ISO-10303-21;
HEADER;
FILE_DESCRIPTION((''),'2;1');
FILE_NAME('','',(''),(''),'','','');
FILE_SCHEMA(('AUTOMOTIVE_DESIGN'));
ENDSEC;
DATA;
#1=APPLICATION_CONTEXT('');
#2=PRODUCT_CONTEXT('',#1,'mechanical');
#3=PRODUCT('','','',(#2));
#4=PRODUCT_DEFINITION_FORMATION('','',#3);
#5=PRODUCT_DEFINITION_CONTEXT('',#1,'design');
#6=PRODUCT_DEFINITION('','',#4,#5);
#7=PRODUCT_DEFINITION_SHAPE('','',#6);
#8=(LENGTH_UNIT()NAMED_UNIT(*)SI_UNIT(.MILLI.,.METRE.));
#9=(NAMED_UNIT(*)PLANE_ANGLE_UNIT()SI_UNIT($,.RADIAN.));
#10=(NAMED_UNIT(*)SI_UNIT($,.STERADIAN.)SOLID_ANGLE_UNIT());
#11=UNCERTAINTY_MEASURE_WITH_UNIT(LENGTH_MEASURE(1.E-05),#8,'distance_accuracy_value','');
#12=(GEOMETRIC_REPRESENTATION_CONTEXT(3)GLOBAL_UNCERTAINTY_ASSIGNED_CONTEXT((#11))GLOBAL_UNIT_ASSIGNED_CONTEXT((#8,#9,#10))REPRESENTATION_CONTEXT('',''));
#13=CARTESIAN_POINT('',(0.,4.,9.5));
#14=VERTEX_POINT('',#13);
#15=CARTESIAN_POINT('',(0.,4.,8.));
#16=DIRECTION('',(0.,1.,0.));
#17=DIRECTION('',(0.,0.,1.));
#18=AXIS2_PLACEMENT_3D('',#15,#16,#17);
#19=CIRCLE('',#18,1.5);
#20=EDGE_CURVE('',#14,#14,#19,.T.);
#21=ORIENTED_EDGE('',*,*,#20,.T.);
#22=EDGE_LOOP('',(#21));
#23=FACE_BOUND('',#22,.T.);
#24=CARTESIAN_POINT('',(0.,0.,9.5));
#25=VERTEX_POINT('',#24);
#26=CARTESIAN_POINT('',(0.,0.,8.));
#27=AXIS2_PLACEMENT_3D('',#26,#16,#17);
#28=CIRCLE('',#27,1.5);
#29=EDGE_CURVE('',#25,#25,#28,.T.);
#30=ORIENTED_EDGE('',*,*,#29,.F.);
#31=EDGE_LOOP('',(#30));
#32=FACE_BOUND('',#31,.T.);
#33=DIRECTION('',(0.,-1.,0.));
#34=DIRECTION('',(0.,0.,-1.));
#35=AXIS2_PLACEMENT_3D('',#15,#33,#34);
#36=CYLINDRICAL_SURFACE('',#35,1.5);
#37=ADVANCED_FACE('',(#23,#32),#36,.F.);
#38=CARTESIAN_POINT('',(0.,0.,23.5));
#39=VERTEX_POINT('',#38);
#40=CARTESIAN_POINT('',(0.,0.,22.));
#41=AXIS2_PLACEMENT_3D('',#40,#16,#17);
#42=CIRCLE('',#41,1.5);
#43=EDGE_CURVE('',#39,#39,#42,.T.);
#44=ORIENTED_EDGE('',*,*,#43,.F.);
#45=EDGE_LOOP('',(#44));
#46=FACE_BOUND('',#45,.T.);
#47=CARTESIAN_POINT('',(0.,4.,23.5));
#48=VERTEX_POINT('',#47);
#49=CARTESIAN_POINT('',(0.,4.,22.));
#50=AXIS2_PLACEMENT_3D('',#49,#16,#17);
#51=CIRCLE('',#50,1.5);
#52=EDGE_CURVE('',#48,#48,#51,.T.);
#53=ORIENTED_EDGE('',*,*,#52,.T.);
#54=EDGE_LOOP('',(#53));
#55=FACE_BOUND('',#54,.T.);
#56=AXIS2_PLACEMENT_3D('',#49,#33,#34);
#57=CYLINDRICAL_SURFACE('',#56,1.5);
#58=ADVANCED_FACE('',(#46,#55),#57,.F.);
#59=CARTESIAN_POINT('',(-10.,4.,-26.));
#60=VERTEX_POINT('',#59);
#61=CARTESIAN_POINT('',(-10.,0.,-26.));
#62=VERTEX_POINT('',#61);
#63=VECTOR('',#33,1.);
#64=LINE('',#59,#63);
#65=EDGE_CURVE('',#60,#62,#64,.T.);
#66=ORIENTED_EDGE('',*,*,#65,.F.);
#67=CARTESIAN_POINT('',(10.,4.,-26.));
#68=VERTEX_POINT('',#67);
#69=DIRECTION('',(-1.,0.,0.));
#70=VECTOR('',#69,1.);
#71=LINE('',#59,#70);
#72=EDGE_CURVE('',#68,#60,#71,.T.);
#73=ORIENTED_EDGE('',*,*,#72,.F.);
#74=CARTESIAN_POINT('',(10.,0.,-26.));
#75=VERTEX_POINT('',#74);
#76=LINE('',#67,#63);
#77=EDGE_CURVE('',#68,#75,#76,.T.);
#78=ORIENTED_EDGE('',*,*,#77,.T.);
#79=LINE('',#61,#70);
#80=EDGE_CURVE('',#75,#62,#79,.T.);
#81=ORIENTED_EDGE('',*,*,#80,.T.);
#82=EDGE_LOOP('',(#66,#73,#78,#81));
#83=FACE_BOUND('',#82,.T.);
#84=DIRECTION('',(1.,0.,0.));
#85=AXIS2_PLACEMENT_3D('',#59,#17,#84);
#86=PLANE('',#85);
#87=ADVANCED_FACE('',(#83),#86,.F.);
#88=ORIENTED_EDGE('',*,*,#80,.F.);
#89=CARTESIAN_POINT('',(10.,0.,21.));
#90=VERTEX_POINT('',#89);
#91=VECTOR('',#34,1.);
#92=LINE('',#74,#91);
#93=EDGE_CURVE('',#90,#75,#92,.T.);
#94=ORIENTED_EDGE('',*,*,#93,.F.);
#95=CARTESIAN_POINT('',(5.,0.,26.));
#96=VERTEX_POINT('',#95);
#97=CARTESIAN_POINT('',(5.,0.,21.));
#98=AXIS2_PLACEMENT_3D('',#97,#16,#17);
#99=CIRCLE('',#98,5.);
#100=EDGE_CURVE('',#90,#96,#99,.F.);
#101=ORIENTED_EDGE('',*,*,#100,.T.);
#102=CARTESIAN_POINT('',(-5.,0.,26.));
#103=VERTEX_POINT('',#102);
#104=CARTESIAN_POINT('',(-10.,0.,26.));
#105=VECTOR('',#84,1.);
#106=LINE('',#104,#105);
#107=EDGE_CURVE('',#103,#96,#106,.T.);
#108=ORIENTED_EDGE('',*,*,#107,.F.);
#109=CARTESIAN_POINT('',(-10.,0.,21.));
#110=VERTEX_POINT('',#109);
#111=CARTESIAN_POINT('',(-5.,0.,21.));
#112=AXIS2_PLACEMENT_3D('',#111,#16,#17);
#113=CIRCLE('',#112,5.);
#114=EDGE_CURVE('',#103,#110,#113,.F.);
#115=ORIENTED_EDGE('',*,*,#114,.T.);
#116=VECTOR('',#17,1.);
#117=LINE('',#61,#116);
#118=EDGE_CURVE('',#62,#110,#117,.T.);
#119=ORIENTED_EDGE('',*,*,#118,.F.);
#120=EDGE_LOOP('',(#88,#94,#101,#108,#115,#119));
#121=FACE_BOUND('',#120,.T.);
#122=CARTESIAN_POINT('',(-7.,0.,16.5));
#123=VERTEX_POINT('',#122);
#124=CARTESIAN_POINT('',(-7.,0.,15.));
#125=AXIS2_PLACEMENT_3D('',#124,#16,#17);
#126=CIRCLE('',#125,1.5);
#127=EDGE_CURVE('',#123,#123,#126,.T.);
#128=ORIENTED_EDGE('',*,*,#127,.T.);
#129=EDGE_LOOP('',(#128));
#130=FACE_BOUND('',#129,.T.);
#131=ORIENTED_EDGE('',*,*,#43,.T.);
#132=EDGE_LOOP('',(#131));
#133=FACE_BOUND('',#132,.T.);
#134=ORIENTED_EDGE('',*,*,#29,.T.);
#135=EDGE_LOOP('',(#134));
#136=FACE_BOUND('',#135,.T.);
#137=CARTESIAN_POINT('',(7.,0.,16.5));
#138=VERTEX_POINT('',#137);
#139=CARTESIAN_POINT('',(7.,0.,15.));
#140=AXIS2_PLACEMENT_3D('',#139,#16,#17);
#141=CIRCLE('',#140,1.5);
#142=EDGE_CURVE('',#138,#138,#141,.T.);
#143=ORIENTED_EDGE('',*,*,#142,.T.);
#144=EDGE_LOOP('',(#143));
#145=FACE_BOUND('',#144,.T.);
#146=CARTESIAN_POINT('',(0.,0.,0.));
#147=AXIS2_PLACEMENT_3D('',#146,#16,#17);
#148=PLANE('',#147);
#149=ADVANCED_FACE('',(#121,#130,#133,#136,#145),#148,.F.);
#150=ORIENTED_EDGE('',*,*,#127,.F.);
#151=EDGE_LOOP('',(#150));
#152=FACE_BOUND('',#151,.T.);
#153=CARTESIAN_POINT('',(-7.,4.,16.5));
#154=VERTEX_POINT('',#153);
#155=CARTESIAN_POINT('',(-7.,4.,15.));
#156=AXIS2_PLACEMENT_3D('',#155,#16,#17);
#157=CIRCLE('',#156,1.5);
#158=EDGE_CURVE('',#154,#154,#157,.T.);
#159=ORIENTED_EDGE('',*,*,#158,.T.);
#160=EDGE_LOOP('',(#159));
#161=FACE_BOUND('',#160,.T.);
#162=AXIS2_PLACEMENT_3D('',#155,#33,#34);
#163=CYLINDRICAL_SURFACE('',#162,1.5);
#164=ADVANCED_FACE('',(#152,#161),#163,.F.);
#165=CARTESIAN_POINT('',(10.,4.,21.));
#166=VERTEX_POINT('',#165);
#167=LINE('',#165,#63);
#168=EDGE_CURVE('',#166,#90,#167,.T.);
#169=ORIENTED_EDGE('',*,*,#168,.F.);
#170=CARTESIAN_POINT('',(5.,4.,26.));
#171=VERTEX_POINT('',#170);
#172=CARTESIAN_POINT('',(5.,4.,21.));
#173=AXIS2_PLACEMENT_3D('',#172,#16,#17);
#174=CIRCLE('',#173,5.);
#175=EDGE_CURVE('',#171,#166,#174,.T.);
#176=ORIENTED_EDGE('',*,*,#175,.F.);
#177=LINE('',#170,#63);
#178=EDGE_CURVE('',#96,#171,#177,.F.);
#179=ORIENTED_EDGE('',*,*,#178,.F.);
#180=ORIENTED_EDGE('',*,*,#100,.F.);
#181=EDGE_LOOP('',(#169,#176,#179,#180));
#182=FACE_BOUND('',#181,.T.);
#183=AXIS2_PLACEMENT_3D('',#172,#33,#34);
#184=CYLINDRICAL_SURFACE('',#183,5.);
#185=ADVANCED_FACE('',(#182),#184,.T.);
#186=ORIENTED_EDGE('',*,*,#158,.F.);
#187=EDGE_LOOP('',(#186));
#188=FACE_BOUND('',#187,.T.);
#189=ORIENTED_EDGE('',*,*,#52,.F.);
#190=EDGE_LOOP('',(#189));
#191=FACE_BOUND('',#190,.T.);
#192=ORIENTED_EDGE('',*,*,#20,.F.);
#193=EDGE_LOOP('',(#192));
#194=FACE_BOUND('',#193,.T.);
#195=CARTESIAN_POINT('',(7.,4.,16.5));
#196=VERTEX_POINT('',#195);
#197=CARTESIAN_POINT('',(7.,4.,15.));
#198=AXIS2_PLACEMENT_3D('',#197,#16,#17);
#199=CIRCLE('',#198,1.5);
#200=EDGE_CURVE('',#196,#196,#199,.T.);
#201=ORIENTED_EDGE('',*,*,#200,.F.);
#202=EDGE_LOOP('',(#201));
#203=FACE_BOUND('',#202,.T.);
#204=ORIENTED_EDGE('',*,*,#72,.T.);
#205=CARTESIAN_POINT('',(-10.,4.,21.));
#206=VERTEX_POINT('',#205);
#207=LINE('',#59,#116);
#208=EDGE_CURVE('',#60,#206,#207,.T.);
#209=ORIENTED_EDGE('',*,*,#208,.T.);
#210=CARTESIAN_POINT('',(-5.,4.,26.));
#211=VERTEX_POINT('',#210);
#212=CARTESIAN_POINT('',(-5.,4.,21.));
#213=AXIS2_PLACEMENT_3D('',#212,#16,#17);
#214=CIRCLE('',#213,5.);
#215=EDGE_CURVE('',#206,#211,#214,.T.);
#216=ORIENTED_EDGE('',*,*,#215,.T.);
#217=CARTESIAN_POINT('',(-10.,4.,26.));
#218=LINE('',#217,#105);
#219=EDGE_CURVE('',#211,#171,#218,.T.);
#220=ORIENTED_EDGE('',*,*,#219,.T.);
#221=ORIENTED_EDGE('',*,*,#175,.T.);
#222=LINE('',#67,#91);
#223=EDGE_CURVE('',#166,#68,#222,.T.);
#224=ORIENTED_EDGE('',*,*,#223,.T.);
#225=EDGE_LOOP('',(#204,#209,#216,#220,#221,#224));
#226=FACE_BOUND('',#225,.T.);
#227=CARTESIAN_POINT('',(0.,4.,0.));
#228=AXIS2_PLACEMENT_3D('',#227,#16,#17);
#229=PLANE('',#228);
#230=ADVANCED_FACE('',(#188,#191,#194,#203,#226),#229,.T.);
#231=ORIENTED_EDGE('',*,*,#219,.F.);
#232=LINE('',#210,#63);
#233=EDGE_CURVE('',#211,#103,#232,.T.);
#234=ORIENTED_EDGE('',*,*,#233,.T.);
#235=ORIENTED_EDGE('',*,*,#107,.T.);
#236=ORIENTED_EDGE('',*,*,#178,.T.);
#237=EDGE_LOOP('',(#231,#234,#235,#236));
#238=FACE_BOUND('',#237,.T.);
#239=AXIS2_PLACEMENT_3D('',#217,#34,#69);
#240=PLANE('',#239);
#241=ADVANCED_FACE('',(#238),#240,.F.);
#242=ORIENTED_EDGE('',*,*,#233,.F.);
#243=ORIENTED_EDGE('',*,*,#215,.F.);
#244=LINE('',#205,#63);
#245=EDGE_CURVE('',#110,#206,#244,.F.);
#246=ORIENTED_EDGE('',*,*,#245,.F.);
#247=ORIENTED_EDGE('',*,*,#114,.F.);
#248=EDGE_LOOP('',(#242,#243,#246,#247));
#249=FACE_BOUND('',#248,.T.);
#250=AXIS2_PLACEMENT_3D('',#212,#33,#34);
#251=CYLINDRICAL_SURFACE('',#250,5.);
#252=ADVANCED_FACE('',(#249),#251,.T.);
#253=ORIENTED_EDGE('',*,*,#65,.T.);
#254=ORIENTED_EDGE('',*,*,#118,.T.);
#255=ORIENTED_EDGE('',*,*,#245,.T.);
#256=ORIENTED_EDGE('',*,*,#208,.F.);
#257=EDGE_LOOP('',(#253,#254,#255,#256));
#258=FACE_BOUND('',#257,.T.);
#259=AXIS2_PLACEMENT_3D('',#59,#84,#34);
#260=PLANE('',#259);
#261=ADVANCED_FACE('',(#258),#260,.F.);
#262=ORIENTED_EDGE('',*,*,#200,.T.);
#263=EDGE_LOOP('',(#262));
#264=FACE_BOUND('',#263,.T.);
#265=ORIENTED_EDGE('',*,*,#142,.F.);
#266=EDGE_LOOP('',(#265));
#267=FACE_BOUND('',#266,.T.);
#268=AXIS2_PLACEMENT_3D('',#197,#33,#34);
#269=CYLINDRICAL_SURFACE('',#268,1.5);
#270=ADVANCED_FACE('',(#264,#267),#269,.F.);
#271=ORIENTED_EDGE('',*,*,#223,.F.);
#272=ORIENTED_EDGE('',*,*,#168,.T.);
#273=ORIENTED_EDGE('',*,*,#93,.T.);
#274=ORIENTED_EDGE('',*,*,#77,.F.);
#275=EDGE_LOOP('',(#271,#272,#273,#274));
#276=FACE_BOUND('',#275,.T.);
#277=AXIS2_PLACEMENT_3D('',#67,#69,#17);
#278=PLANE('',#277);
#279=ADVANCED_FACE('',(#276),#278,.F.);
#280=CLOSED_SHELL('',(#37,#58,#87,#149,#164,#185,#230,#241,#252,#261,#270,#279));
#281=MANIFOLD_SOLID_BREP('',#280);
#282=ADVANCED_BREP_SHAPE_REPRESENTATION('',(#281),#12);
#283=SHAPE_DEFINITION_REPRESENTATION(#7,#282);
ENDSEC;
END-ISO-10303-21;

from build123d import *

# Parameters (mm, degrees)
SKETCH1_W           = 20
SKETCH1_H           = 52
SKETCH1_R           = 1.5
BOSS_EXTRUDE1_DEPTH = 4
FILLET1_R           = 5


with BuildPart() as part:
    # Sketch1 → Boss-Extrude1 (new body)
    with BuildSketch(Plane(origin=(0, 0, 0), x_dir=(1, 0, 0), z_dir=(0, 1, 0))):
        Rectangle(SKETCH1_W, SKETCH1_H)
        with Locations(Location((0, -22, 0), (0, 0, 270))):
            Circle(SKETCH1_R, mode=Mode.SUBTRACT)
        with Locations(Location((0, -8, 0), (0, 0, 270))):
            Circle(SKETCH1_R, mode=Mode.SUBTRACT)
        with Locations(Location((7, -15, 0), (0, 0, 270))):
            Circle(SKETCH1_R, mode=Mode.SUBTRACT)
        with Locations(Location((-7, -15, 0), (0, 0, 270))):
            Circle(SKETCH1_R, mode=Mode.SUBTRACT)
    extrude(amount=BOSS_EXTRUDE1_DEPTH)

    # Fillet1
    fillet1_edges = [part.edges().sort_by_distance(p)[0] for p in [
        (10, 2, 26),
        (-10, 2, 26),
    ]]
    fillet(fillet1_edges, radius=FILLET1_R)


solid = part.part
